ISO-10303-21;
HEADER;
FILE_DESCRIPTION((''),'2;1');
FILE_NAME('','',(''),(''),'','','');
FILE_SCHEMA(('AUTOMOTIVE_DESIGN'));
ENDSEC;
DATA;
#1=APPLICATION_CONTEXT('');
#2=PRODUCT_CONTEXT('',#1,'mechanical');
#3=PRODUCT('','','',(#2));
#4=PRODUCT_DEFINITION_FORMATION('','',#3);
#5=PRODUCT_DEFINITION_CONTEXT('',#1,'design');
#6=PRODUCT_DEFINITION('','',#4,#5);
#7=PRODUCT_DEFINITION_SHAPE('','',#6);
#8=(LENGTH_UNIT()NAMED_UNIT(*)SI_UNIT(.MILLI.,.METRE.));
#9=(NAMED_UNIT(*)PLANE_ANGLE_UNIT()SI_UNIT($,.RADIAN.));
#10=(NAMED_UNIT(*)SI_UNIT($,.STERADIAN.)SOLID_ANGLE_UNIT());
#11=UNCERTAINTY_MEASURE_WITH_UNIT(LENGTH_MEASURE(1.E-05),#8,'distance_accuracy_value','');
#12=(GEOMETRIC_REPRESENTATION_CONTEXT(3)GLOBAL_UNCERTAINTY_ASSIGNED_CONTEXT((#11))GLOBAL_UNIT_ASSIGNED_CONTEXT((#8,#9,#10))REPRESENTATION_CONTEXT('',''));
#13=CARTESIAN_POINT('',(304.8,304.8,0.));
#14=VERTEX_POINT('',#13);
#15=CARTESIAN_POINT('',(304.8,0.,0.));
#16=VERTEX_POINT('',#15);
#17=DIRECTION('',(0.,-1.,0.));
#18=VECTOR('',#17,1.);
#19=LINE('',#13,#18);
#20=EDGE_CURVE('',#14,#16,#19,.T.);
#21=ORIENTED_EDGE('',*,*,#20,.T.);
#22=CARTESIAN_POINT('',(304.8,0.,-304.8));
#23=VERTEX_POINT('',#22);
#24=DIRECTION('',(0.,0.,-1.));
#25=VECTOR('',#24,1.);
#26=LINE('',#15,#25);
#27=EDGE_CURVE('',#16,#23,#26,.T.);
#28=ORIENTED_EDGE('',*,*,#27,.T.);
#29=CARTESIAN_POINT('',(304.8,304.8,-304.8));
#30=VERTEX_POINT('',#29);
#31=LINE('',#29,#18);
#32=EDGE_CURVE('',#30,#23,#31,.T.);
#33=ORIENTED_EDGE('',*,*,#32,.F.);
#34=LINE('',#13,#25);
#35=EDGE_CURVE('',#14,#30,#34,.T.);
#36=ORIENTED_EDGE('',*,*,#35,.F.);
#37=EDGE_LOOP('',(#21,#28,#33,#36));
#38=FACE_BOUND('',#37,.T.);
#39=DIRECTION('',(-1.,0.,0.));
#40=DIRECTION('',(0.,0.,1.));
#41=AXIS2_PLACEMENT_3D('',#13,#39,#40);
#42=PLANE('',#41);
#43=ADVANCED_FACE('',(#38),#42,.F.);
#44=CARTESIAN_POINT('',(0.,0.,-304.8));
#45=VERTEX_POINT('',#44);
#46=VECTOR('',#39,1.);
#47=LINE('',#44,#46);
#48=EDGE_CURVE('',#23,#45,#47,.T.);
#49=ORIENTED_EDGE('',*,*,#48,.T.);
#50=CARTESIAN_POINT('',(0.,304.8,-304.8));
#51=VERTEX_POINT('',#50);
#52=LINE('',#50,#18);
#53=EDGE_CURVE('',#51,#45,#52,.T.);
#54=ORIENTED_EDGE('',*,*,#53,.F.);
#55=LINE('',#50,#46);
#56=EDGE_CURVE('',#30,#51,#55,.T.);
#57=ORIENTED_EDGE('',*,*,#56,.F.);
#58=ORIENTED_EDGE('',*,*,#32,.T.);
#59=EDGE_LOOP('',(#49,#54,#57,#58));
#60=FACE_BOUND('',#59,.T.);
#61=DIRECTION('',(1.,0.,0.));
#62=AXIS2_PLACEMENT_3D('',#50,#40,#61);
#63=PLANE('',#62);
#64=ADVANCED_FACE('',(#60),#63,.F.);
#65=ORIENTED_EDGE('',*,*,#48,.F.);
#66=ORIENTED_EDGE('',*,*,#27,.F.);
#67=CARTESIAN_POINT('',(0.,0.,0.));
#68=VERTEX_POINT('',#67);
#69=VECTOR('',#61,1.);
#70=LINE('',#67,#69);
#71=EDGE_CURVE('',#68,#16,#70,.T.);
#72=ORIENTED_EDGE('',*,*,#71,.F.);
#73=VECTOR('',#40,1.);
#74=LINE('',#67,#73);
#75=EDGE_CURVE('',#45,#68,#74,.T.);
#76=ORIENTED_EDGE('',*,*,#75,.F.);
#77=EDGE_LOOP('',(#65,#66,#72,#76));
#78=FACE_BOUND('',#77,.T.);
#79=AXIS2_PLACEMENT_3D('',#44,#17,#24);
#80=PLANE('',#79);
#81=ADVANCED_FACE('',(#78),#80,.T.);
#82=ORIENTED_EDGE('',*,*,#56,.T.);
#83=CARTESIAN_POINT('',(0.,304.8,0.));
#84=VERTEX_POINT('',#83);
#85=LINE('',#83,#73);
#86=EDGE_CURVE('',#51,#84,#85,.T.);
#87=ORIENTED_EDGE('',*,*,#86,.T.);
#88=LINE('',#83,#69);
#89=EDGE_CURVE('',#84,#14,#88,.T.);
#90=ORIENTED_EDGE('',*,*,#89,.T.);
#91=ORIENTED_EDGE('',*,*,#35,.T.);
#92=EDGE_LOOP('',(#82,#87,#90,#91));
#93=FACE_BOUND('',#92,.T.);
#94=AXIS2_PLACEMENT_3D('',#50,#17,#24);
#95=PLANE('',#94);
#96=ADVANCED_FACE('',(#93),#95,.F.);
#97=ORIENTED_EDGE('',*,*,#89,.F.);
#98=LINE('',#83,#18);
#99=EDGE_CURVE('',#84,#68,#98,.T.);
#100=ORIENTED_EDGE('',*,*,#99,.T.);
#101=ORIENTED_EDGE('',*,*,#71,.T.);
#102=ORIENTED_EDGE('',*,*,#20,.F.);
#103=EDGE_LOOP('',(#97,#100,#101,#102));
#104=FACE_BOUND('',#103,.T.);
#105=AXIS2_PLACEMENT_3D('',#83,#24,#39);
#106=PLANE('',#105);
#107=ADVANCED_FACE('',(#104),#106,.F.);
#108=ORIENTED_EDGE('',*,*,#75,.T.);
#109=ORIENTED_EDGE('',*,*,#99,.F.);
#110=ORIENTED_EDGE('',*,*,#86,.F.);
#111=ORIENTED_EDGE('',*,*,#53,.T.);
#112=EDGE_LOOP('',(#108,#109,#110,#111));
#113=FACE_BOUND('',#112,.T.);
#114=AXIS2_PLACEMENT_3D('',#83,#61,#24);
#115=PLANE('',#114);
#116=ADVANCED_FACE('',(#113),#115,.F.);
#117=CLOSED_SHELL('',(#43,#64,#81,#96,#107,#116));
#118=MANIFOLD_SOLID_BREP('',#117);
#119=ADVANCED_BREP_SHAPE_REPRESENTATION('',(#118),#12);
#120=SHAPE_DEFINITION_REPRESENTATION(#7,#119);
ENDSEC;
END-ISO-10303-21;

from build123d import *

# Parameters (mm, degrees)
SKETCH1_W      = 304.8
SKETCH1_H      = 304.8
EXTRUDE1_DEPTH = 304.8


with BuildPart() as part:
    # Sketch1 → Extrude1 (new body)
    with BuildSketch(Plane(origin=(0, 0, 0), x_dir=(1, 0, 0), z_dir=(0, 1, 0))):
        with Locations((152.4, 152.4)):
            Rectangle(SKETCH1_W, SKETCH1_H)
    extrude(amount=EXTRUDE1_DEPTH)


solid = part.part
